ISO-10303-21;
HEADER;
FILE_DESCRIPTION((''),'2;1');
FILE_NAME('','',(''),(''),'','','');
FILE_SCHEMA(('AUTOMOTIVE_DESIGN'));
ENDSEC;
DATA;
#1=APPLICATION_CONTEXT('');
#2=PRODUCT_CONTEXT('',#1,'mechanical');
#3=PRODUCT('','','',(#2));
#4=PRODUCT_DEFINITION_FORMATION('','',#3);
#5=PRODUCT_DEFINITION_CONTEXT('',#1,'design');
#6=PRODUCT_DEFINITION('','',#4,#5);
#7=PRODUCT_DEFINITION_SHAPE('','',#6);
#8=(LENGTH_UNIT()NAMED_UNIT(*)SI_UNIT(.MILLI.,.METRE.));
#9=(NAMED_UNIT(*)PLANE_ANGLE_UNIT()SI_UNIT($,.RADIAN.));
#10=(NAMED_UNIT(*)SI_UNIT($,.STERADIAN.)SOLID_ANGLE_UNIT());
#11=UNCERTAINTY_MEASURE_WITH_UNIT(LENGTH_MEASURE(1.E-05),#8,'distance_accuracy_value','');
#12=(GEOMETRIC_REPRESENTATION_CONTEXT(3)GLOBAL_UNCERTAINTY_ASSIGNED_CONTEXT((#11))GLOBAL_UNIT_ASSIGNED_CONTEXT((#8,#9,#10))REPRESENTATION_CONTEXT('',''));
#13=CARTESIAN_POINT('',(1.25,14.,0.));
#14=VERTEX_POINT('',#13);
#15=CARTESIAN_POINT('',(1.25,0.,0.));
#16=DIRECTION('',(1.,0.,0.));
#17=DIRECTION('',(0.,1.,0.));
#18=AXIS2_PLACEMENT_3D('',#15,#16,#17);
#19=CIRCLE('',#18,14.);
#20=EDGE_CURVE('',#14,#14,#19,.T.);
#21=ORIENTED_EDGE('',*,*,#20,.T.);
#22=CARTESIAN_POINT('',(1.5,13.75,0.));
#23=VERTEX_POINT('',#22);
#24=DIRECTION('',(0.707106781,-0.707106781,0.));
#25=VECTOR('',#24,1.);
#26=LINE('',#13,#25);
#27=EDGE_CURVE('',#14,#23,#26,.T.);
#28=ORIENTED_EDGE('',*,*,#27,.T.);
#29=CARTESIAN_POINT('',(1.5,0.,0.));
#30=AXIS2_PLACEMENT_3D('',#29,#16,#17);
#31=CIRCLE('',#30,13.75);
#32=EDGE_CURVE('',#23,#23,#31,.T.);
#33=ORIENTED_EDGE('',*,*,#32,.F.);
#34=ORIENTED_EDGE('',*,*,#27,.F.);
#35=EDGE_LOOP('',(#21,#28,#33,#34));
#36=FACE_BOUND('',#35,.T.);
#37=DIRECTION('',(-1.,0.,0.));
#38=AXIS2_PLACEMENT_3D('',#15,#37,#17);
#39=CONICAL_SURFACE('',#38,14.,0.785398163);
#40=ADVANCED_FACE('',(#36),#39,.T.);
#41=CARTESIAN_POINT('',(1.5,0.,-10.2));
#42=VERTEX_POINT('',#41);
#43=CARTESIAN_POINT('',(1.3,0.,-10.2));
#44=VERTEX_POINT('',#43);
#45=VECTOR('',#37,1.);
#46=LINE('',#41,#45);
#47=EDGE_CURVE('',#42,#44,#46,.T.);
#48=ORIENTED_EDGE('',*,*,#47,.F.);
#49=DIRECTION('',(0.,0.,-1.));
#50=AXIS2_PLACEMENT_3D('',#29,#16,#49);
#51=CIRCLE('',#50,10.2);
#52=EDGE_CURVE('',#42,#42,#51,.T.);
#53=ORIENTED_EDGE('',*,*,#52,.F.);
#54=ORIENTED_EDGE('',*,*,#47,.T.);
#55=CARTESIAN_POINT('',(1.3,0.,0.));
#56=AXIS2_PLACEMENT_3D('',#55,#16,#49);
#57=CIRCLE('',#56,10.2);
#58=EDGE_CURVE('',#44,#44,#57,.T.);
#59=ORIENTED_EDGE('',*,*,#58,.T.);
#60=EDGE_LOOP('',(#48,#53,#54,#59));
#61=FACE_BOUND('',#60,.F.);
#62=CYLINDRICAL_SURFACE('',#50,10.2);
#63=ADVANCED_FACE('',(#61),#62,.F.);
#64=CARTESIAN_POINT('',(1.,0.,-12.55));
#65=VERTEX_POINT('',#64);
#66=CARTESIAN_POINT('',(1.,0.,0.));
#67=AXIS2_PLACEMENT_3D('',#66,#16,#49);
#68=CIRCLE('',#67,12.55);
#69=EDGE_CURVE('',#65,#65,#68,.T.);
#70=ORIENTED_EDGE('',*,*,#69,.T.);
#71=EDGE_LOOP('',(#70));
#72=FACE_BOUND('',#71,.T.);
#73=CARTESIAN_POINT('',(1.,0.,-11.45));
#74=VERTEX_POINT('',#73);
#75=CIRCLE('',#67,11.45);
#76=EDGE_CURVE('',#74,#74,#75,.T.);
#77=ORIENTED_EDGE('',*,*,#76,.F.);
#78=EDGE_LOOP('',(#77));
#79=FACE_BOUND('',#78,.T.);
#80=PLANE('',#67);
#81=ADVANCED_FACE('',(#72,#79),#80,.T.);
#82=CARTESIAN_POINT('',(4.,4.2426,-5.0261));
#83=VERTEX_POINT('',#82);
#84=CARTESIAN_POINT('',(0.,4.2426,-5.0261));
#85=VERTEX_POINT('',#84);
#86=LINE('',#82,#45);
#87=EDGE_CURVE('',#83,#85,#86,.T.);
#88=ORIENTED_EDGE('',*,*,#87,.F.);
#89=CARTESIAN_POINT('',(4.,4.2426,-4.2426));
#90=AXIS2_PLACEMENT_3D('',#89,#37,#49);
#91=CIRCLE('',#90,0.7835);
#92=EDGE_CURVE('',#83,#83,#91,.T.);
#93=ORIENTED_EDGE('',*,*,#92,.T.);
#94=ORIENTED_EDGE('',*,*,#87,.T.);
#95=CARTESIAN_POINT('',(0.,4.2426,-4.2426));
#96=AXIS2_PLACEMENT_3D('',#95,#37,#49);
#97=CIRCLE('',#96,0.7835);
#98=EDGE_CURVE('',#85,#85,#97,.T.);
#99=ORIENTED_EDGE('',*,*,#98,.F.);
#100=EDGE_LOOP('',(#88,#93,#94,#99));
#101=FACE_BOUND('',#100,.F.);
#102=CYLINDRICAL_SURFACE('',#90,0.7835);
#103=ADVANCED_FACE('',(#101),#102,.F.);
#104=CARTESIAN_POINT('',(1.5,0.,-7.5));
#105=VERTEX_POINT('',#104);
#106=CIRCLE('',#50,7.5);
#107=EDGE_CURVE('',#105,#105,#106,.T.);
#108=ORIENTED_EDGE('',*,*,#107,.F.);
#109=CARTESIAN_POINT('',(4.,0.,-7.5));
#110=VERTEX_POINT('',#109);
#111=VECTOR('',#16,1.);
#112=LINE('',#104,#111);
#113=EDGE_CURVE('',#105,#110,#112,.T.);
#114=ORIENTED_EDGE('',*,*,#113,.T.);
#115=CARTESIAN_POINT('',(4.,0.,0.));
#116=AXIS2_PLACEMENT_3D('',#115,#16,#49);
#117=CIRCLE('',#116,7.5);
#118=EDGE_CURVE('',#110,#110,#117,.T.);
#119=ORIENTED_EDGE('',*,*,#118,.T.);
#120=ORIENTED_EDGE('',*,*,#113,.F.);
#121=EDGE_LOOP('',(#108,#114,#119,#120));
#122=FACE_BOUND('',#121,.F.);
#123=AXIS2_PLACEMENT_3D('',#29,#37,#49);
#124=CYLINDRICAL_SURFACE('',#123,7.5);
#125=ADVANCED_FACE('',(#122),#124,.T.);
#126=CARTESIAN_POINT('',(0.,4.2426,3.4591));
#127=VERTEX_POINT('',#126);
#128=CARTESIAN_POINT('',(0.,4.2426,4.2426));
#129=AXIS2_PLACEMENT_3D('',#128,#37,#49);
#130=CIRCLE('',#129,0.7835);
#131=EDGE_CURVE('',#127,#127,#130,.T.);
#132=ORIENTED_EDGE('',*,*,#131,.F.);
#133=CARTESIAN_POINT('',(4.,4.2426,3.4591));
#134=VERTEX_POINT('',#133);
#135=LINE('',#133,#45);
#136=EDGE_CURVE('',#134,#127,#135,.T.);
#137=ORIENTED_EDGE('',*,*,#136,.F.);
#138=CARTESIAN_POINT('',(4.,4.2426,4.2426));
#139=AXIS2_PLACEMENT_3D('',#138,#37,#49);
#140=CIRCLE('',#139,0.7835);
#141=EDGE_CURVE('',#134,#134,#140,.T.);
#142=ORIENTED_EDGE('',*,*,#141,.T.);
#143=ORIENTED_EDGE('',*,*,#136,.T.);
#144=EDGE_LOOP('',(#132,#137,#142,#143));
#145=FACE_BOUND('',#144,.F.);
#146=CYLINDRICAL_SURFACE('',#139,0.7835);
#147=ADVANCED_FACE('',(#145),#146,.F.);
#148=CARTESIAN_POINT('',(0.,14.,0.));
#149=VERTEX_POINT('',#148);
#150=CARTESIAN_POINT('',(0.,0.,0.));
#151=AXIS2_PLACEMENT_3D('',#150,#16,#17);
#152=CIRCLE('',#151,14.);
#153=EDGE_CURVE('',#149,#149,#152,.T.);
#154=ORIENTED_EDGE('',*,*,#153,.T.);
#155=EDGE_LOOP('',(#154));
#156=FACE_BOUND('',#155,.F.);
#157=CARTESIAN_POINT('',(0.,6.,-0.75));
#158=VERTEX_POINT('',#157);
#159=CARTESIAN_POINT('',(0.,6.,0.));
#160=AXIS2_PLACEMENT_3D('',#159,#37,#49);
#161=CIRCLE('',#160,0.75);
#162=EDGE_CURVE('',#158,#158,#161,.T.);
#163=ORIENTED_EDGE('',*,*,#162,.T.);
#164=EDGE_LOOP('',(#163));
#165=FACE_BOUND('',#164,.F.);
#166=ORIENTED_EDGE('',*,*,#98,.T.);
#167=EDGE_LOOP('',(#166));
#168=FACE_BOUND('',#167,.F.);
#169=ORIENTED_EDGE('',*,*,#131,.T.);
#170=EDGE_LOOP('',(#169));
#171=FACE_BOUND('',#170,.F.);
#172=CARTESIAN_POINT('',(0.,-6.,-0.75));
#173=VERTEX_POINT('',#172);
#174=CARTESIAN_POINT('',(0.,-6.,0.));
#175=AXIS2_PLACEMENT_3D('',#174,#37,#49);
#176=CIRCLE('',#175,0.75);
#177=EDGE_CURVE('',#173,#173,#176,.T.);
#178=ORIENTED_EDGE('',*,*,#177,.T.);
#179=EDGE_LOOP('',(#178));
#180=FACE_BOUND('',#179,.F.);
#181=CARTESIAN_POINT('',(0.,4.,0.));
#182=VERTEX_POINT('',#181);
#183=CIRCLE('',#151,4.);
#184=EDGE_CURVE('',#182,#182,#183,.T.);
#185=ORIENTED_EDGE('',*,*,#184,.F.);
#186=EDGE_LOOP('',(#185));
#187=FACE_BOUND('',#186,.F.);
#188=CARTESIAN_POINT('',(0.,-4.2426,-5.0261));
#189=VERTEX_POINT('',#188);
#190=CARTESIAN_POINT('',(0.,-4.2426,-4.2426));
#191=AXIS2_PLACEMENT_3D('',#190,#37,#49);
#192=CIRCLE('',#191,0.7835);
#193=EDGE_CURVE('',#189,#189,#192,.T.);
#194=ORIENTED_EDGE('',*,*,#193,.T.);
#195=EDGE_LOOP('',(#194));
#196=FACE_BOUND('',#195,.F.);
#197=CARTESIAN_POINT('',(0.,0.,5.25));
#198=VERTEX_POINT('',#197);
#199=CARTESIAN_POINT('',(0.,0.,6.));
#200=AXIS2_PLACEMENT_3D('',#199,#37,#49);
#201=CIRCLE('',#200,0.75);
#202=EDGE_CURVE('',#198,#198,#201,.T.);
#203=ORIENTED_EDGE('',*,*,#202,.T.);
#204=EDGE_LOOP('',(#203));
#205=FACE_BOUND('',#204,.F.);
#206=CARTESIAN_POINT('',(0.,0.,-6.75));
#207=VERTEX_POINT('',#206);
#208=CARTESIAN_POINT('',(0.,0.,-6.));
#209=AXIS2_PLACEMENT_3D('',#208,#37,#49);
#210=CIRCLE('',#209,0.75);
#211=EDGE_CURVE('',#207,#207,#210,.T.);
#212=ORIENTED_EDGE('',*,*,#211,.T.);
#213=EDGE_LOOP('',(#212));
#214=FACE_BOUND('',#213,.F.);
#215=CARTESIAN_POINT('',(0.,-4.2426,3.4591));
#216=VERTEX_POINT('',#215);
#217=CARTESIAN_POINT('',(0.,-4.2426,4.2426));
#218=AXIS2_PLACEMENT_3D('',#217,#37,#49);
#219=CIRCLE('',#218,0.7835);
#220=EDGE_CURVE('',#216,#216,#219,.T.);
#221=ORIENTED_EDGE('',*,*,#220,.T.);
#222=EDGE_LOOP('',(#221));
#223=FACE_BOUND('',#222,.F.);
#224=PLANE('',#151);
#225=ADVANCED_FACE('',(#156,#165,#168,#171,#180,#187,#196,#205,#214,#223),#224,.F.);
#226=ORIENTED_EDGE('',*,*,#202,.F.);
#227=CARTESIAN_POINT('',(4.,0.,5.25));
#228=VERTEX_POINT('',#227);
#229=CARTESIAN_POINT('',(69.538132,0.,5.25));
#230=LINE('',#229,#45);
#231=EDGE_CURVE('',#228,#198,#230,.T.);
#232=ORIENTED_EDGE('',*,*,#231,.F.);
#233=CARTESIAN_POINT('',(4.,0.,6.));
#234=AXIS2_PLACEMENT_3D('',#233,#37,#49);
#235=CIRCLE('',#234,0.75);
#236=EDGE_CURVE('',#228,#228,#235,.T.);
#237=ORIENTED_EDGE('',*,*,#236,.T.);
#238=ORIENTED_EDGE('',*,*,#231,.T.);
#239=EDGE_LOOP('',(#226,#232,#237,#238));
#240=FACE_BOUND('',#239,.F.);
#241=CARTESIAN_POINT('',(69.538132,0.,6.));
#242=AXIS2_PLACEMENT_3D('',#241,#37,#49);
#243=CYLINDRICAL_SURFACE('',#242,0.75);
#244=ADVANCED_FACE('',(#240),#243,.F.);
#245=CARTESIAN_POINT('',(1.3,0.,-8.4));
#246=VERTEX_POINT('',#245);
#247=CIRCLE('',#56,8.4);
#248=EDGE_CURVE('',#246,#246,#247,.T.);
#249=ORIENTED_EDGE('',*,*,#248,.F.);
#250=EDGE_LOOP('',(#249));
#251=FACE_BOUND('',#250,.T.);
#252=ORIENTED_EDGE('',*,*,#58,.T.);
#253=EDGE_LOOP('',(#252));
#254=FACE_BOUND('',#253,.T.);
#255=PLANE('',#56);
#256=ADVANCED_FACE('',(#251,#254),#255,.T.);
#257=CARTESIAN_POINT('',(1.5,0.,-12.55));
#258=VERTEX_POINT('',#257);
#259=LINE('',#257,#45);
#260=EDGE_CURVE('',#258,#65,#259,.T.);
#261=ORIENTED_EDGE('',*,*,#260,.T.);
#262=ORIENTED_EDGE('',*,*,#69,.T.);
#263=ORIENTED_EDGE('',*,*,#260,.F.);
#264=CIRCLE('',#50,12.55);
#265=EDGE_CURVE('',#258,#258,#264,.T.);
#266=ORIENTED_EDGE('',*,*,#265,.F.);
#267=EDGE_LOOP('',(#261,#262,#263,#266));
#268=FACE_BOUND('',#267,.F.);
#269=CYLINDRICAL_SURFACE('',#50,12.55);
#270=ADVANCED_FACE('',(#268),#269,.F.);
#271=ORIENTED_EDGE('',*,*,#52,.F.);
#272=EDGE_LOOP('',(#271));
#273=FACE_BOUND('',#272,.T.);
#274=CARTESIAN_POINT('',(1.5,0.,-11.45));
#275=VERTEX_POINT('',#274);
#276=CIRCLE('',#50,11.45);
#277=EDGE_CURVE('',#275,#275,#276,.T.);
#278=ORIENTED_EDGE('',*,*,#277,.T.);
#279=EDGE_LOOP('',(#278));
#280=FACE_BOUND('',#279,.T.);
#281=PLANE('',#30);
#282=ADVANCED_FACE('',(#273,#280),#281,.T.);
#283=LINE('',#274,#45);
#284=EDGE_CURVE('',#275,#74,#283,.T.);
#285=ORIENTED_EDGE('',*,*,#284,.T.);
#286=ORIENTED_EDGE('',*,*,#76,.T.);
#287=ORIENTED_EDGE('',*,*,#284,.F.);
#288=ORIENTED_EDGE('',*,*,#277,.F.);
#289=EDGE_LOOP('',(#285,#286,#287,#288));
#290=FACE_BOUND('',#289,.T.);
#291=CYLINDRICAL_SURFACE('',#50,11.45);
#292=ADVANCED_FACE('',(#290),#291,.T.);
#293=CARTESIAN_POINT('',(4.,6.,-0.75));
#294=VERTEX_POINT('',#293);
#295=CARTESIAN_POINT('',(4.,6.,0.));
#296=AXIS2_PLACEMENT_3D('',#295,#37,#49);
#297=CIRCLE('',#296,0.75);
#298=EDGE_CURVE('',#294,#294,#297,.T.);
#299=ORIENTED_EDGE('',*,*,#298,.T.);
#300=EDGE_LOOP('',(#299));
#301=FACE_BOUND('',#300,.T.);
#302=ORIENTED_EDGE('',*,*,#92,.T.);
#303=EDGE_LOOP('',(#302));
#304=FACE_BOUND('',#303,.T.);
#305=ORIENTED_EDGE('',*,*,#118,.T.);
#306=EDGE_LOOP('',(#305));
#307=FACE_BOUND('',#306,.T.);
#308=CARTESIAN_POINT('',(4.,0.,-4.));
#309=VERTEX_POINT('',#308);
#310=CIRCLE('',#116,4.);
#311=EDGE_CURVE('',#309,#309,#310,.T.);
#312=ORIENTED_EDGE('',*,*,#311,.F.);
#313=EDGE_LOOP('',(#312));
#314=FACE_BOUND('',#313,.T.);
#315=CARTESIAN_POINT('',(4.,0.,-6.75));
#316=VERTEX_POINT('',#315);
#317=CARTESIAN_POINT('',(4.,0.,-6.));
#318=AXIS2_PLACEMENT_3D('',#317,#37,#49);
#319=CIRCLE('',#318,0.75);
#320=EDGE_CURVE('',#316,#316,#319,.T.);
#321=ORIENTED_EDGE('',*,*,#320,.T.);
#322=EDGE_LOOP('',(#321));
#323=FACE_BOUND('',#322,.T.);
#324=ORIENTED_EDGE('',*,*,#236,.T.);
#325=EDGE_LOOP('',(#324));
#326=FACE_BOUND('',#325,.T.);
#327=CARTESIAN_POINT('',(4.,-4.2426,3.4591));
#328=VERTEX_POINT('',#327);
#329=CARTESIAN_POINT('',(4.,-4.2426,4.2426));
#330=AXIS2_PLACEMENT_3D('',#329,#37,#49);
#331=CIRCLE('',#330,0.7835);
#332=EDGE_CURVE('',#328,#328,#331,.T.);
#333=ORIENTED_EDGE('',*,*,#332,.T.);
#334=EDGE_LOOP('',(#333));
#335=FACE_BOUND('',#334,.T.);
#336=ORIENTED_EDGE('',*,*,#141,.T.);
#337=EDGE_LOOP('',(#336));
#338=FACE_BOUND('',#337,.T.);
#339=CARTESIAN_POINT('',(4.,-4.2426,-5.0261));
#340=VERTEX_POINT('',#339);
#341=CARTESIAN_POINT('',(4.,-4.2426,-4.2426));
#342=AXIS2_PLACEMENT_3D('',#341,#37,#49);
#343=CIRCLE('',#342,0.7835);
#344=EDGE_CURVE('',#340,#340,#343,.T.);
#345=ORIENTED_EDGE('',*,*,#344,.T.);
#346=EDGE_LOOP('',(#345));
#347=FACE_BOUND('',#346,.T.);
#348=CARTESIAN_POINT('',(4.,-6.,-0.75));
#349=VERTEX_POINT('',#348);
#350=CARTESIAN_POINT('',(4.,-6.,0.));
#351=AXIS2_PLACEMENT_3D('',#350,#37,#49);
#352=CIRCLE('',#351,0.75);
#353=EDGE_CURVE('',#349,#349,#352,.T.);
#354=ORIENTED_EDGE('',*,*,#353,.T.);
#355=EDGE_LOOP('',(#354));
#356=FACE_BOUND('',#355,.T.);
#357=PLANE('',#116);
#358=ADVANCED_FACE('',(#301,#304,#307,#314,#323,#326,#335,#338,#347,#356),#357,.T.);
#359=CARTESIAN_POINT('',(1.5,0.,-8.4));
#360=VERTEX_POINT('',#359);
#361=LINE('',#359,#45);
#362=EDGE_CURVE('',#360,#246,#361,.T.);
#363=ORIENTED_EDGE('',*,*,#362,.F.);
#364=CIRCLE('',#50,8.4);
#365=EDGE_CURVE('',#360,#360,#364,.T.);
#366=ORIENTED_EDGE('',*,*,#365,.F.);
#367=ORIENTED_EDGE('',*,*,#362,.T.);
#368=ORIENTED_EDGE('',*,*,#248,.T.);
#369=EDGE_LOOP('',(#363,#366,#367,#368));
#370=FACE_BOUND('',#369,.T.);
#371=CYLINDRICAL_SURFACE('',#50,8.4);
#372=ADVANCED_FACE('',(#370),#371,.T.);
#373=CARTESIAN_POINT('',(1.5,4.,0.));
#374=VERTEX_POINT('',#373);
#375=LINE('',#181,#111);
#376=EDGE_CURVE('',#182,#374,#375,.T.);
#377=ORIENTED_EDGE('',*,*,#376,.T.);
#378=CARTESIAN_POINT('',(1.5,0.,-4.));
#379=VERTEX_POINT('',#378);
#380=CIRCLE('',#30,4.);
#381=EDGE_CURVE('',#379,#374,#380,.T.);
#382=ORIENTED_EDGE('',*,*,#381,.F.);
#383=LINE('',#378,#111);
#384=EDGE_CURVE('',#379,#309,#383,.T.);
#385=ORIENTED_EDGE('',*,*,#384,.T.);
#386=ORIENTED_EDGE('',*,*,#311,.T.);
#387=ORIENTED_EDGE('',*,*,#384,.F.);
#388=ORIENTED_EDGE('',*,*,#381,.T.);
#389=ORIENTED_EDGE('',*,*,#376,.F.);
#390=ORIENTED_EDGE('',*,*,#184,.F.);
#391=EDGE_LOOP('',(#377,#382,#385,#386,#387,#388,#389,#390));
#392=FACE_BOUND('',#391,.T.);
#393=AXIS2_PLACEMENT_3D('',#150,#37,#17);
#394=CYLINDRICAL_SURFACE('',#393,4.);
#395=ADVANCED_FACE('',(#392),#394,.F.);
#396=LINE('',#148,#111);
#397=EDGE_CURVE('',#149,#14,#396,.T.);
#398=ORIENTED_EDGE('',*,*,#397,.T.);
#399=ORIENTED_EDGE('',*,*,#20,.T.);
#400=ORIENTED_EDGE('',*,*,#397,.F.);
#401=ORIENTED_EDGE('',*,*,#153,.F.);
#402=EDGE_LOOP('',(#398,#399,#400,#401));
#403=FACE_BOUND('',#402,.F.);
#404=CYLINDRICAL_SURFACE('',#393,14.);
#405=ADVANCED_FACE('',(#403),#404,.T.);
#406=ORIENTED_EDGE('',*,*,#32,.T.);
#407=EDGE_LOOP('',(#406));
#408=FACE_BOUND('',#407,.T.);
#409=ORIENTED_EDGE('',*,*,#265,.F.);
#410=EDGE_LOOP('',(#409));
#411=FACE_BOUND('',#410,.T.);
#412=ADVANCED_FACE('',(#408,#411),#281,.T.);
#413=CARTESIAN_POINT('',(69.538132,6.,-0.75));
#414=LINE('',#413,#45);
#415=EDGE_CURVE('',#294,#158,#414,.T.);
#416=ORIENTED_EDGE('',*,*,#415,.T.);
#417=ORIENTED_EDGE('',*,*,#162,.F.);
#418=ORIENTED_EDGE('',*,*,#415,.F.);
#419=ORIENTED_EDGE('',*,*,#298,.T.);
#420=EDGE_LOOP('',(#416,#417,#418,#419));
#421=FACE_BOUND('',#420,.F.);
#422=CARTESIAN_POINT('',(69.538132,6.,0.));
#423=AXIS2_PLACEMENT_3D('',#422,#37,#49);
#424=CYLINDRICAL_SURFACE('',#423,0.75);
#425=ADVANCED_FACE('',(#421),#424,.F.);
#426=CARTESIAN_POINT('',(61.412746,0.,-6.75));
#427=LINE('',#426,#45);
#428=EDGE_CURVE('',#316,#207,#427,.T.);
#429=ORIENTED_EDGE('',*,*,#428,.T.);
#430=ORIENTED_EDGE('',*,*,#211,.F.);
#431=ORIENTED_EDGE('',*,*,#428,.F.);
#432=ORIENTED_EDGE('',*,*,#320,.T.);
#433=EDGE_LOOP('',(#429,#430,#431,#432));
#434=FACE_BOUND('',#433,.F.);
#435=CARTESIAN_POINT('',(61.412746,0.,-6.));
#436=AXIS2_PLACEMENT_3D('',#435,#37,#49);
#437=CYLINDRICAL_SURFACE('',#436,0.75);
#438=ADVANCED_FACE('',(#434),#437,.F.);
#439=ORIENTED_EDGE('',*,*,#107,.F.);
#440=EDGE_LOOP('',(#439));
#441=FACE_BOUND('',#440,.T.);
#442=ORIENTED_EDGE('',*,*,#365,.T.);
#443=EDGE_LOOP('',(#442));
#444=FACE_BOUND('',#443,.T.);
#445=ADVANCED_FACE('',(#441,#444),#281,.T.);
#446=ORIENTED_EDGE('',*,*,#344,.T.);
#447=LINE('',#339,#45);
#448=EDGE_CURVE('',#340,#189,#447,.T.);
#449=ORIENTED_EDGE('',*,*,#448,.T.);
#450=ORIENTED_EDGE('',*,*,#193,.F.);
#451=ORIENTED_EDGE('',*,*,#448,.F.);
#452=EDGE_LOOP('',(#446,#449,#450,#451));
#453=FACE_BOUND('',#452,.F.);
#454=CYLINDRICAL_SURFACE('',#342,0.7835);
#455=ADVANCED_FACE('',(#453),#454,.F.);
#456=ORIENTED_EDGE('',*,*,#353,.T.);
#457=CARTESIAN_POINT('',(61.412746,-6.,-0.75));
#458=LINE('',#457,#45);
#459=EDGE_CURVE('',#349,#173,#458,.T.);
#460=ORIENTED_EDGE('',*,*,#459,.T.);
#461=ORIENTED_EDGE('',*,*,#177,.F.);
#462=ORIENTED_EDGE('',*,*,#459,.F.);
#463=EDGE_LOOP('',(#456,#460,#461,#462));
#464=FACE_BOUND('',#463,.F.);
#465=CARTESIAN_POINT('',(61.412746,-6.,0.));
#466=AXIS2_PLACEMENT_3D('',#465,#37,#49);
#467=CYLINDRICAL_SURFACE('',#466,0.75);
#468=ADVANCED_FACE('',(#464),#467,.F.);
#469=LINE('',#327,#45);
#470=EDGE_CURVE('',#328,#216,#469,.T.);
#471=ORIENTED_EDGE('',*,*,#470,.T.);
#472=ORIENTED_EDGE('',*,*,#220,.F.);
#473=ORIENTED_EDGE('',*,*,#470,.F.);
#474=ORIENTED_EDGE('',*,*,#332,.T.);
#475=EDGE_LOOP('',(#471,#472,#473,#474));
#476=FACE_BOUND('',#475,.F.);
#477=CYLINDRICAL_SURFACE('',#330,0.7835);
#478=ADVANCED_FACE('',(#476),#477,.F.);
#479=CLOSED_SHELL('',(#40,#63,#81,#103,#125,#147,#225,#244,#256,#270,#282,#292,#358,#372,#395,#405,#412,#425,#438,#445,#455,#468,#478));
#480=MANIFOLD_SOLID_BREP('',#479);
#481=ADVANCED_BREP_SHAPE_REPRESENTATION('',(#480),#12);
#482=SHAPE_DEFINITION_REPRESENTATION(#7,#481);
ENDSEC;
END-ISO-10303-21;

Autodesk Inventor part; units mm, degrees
ref_plane "YZ Plane" through (0, 0, 0) normal (1, 0, 0) x (0, 1, 0)
ref_plane "XZ Plane" through (0, 0, 0) normal (0, 1, 0) x (-1, 0, 0)
ref_plane "XY Plane" through (0, 0, 0) normal (0, 0, 1) x (1, 0, 0)
sketch "スケッチ1" plane through (0, 0, 0) normal (1, 0, 0) x (0, 1, 0)
  circle A0 centre (0, 0) radius 14
  circle A1 centre (0, 0) radius 4
  dimension "d0" = 8
  dimension "d1" = 28
extrude "押し出し1" add sketch "スケッチ1" along normal blind 1.5
sketch "スケッチ2" plane through (1.5, 0, 0) normal (1, 0, 0) x (0, 0, -1)
  circle A0 centre (0, 0) radius 4 projected
  circle A1 centre (0, 0) radius 7.5
  dimension "d9" = 15
extrude "押し出し2" add sketch "スケッチ2" along normal blind 2.5
sketch "スケッチ3" plane through (4, 0, 0) normal (1, 0, 0) x (0, 0, -1)
  circle A0 centre (0, 0) radius 6 construction
  line L0 (0, 0) -> (6, 0) construction
  point P0 (0, 6)
  point P1 (-6, 0)
  point P2 (0, -6)
  dimension "d12" = 12
  dimension "d15" = 360
hole "穴1" at (4, 0, -6) at (4, 6, 0) at (4, 0, 6) at (4, -6, 0) direction (-1, 0, 0) diameter 1.5 end through all both
sketch "スケッチ4" plane through (4, 0, 0) normal (1, 0, 0) x (0, 0, -1)
  line L0 (0, 0) -> (4.2426, 4.2426) construction
  circle A0 centre (0, 0) radius 6 construction
  line L1 (0, 0) -> (12.9289, 0) construction
  point P0 (-4.2426, 4.2426)
  point P1 (-4.2426, -4.2426)
  point P2 (4.2426, -4.2426)
  dimension "d25" = 12
  dimension "d24" = 45
  dimension "d28" = 360
hole "穴2" at (4, 4.2426, -4.2426) at (4, 4.2426, 4.2426) at (4, -4.2426, 4.2426) at (4, -4.2426, -4.2426) direction (-1, 0, 0) diameter 1.567 end through all thread size "M2x0.4" class "6H" standard "ISO Metric profile"
sketch "スケッチ7" plane through (1.5, 0, 0) normal (1, 0, 0) x (0, 0, -1)
  circle A0 centre (0, 0) radius 8.4
  circle A1 centre (0, 0) radius 10.2
  dimension "d37" = 16.8
  dimension "d48" = 20.4
extrude "押し出し3" cut sketch "スケッチ7" against normal blind 0.2
sketch "スケッチ8" plane through (1.5, 0, 0) normal (1, 0, 0) x (0, 0, -1)
  circle A0 centre (0, 0) radius 12 construction
  circle A1 centre (0, 0) radius 12.55
  circle A2 centre (0, 0) radius 11.45
  dimension "d40" = 24
  dimension "d41" = 0.55
  dimension "d42" = 0.55
extrude "押し出し4" cut sketch "スケッチ8" against normal blind 0.5
chamfer "面取り1" distance 0.25 angle 45 1 edges at (1.5, -14, 0)
properties part number "COXA_PITCH_BEARING_BASE"
